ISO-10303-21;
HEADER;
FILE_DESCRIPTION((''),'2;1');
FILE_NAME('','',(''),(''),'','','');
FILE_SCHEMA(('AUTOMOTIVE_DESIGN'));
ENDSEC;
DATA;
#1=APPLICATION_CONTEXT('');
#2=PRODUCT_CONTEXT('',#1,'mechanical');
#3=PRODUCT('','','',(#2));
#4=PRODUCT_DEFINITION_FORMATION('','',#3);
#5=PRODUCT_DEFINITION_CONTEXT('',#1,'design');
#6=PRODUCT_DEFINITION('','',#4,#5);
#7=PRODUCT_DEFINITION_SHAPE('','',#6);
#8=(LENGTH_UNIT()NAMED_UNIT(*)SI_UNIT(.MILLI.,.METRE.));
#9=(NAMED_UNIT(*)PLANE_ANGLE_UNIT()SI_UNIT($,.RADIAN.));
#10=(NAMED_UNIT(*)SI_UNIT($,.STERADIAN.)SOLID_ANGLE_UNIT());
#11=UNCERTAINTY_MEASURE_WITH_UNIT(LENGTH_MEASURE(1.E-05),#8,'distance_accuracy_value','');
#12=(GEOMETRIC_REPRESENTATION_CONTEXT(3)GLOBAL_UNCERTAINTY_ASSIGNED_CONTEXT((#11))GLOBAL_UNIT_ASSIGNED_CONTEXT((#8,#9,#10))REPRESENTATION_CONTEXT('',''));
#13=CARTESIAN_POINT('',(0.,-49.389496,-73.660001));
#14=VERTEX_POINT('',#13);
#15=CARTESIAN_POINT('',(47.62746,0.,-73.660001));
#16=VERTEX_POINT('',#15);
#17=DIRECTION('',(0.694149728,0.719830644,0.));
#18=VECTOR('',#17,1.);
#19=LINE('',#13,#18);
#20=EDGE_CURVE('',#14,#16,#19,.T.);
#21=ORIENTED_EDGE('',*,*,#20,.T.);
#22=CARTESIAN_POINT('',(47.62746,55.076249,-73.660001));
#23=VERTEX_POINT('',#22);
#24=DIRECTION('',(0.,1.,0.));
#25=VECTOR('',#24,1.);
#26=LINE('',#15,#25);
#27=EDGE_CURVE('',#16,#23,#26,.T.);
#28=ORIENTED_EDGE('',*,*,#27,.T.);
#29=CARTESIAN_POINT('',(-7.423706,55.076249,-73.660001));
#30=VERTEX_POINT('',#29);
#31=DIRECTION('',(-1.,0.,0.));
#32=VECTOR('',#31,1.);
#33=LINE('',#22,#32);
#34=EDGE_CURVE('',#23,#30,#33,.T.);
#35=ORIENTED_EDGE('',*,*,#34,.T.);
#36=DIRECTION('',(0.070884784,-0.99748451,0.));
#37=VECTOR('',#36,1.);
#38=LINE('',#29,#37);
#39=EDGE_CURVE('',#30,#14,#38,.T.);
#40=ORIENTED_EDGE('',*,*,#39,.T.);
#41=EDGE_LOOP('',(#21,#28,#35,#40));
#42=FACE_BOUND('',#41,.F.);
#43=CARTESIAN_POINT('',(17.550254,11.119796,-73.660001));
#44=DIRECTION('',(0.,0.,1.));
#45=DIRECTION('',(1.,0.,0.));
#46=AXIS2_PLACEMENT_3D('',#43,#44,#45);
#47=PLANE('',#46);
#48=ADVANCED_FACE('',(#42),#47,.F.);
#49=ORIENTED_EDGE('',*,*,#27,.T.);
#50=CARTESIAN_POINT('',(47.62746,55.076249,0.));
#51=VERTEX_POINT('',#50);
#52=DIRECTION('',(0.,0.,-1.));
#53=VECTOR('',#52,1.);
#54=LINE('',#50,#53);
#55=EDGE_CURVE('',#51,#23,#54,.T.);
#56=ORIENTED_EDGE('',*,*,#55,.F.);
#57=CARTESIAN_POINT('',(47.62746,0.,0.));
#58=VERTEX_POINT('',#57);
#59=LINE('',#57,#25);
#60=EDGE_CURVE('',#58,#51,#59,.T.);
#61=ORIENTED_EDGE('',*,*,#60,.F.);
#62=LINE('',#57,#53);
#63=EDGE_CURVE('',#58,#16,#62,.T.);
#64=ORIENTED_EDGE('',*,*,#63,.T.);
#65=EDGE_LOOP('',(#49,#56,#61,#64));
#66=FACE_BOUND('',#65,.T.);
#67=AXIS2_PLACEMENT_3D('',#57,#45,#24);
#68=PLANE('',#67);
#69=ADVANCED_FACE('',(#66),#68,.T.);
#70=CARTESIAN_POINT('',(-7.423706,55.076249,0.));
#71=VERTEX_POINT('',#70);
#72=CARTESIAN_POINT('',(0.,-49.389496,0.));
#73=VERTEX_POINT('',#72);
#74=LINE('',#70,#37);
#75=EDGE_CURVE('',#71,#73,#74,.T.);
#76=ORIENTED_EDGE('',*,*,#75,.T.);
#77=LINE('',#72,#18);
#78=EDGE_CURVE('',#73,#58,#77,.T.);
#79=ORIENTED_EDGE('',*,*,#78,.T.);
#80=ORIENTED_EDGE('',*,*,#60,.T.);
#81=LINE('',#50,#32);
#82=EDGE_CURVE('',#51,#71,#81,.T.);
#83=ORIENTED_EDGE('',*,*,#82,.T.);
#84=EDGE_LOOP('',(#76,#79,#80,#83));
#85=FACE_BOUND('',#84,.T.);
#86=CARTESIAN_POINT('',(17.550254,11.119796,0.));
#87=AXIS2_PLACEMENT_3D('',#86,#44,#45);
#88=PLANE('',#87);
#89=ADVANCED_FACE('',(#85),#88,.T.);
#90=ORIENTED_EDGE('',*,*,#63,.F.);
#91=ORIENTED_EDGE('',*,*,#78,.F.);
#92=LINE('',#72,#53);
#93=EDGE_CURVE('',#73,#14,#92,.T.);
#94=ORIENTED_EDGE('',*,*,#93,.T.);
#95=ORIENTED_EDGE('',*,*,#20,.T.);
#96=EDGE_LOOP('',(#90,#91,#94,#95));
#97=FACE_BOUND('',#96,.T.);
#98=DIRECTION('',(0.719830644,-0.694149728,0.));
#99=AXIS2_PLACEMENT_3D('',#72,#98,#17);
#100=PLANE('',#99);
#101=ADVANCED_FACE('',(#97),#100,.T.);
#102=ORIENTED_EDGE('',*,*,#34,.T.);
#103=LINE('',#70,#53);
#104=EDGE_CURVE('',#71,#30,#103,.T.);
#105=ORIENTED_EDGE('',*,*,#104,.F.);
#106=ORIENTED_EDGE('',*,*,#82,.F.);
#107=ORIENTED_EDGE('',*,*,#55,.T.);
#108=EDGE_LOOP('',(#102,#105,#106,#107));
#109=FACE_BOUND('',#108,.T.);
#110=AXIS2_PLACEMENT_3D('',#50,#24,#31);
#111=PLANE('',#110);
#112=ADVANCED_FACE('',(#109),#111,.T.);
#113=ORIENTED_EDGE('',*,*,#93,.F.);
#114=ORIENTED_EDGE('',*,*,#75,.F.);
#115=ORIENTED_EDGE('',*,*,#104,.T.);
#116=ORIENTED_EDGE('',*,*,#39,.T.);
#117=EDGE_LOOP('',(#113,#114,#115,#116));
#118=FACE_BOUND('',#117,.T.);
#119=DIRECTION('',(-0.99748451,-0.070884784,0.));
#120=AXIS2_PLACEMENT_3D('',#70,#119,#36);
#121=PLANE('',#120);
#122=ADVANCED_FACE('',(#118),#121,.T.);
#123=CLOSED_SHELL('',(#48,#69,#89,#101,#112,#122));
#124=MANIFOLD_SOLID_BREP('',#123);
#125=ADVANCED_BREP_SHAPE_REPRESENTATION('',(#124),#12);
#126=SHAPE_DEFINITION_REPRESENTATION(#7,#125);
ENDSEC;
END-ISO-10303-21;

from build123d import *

# Parameters (mm, degrees)
F1_DEPTH = 73.660001


with BuildPart() as f1:
    # F0 (on Top) → F1 (new body)
    with BuildSketch(Plane.XY):
        Polygon((0, -49.389496), (47.62746, 0), (47.62746, 55.076249), (-7.423706, 55.076249), align=None)
    extrude(amount=-F1_DEPTH)


solid = f1.part
